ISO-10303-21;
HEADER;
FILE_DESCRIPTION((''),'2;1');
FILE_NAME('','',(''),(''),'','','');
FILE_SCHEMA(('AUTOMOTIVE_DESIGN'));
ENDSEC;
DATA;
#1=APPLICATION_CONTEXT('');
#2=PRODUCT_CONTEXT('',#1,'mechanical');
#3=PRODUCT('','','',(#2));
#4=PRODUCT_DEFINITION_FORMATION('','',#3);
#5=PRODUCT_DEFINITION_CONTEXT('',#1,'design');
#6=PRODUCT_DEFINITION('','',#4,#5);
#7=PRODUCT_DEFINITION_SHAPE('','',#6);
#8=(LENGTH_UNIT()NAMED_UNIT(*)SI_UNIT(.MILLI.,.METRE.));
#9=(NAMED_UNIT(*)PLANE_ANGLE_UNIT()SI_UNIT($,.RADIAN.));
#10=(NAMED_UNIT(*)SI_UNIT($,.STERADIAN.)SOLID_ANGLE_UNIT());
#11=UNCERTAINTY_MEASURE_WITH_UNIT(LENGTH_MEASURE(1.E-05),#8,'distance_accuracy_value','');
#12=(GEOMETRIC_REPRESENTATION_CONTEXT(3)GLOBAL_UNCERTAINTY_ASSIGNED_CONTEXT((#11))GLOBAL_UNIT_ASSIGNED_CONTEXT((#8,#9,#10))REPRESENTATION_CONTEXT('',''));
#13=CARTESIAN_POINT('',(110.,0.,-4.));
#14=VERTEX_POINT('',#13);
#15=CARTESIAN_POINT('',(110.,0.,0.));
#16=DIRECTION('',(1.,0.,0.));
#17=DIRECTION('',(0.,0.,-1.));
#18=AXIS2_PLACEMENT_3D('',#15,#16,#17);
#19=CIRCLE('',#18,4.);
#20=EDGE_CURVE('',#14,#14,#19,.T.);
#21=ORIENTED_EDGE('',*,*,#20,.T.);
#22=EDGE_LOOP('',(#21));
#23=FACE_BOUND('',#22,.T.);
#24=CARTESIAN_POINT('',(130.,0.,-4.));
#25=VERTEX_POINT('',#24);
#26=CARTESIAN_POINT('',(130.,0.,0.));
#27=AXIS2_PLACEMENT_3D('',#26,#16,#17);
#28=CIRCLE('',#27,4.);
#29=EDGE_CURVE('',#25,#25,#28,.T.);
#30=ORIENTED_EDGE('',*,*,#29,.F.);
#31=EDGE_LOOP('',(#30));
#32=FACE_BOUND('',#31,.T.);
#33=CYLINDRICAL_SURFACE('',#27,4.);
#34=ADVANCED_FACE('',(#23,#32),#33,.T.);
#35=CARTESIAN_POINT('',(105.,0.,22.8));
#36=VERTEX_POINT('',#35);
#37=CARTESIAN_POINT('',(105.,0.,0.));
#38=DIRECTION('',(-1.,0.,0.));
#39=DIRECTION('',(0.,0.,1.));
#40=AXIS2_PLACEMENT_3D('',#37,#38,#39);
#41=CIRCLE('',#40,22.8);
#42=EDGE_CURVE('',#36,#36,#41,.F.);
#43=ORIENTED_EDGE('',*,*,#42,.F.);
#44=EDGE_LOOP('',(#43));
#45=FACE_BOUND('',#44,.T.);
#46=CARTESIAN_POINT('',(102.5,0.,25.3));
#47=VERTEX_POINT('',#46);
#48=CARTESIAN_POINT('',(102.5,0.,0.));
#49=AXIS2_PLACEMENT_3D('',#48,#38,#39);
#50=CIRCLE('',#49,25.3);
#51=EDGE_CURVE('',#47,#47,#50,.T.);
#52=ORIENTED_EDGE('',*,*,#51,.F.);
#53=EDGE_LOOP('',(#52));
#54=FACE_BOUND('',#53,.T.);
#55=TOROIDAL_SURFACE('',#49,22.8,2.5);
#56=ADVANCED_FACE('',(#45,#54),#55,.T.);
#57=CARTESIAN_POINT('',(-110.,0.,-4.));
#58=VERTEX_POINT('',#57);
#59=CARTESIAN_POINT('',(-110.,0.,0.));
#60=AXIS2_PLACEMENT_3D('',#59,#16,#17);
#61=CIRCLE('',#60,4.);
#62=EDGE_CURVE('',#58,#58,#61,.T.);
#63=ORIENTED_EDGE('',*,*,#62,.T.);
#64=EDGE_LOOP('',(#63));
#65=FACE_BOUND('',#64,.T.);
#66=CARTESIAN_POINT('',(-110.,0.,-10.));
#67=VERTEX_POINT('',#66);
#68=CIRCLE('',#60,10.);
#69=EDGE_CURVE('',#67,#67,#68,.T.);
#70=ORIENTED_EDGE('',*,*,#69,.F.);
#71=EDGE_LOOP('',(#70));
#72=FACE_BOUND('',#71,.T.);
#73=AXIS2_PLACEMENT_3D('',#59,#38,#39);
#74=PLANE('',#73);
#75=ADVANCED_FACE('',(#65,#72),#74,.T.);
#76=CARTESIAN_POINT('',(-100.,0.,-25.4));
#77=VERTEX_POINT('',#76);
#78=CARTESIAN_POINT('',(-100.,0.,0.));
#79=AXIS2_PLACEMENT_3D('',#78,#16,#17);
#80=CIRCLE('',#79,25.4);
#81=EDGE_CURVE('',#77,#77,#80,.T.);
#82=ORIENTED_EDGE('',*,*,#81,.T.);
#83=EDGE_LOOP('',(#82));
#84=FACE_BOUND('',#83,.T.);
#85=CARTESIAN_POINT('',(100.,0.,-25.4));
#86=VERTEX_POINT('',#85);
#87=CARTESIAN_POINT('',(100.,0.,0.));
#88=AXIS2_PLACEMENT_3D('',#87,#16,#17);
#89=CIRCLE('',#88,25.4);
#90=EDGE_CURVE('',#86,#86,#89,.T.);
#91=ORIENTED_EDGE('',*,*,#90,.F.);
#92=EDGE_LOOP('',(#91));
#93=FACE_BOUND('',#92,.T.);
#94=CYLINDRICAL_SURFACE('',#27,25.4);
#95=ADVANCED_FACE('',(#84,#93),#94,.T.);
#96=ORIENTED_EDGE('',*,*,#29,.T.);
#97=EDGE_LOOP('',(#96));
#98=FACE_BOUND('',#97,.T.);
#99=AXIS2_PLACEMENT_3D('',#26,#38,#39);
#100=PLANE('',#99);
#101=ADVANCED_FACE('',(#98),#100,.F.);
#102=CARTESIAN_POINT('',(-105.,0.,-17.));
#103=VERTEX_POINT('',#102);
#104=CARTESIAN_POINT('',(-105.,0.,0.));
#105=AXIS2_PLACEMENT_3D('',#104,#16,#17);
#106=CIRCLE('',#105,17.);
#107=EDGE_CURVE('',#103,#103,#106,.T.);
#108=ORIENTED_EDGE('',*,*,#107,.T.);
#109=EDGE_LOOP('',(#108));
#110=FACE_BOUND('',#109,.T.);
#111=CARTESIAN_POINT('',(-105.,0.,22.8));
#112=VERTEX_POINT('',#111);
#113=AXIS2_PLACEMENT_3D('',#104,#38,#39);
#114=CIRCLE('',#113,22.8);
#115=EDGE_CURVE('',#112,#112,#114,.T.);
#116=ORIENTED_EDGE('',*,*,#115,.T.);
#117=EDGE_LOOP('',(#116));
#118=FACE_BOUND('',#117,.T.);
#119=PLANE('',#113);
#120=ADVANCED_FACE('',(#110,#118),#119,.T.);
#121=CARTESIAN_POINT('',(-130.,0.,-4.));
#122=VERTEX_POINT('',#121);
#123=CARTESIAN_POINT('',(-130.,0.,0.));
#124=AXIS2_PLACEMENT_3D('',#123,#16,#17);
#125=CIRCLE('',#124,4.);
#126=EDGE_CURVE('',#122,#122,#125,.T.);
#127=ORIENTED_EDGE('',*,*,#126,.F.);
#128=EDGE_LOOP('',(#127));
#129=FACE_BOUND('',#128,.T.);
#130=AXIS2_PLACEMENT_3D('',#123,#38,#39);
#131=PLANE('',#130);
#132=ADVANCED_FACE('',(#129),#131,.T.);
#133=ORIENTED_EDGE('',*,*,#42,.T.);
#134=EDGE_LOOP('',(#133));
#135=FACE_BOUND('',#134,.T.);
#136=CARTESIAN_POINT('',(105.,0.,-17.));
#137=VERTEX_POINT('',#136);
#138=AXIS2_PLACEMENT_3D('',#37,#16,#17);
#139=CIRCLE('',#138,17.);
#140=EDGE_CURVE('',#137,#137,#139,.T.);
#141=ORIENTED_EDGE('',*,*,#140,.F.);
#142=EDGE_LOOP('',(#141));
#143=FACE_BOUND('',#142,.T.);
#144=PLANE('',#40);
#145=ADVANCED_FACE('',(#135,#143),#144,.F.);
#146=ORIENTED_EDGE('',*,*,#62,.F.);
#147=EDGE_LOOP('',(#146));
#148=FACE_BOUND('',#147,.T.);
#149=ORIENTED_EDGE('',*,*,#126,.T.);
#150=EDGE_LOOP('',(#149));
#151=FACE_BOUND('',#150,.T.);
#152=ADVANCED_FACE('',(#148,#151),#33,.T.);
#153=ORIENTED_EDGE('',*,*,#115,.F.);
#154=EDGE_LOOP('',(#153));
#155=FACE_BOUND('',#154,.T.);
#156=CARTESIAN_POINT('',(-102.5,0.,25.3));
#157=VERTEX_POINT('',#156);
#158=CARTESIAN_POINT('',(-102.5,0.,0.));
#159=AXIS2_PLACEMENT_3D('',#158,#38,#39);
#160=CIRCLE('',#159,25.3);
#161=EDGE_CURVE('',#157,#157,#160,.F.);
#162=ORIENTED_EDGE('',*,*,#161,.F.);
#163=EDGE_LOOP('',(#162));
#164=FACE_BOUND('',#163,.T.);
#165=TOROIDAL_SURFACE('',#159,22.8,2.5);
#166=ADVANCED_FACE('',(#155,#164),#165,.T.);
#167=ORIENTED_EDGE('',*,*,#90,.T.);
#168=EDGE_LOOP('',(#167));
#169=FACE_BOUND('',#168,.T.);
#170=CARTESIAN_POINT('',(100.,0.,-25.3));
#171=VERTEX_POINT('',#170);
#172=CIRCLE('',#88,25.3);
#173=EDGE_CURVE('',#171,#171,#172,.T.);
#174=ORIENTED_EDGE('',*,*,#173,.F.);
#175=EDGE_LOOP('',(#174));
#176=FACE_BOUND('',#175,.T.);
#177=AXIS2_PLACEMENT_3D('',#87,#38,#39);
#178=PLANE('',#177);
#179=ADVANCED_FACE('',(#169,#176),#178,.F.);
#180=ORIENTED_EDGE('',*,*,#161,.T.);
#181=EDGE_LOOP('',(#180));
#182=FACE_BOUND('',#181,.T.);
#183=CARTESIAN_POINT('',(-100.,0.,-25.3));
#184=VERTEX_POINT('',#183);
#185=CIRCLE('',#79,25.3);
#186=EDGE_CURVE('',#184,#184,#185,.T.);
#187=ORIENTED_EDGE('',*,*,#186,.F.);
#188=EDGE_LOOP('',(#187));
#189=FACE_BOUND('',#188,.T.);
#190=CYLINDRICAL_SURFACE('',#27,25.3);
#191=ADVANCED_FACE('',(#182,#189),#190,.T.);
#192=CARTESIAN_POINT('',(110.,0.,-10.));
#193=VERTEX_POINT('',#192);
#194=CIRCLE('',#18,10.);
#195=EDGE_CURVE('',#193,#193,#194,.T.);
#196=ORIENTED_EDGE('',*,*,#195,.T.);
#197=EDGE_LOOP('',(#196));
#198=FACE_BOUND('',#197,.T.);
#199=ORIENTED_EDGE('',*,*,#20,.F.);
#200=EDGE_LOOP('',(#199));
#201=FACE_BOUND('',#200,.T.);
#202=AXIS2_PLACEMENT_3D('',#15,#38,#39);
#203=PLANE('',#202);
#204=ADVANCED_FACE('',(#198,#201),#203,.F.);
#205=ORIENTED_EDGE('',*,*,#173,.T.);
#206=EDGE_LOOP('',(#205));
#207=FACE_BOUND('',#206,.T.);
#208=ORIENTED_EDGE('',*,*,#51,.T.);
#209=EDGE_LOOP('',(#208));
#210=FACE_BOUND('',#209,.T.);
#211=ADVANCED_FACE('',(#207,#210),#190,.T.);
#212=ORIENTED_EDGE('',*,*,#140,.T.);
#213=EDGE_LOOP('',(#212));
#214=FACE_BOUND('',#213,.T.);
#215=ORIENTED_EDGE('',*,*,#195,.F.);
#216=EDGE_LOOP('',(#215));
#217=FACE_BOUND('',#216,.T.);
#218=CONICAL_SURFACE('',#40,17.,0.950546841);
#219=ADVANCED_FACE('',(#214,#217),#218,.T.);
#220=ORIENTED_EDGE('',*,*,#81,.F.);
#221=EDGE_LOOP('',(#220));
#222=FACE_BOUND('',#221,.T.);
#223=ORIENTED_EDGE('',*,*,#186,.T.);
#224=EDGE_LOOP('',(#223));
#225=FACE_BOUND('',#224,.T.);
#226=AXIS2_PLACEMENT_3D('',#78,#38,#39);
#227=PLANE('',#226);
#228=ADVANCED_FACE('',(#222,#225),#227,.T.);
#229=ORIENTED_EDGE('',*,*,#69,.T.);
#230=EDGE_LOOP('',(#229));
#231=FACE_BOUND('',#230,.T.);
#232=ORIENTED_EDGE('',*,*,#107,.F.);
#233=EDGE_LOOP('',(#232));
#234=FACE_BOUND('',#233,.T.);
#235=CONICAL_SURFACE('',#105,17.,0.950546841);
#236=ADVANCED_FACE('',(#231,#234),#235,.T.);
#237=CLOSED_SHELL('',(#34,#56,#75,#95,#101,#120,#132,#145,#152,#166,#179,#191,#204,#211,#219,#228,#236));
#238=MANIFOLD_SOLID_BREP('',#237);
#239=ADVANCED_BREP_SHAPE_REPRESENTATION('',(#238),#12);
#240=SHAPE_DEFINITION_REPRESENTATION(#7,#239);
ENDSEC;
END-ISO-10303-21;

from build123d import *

# Parameters (mm, degrees)
FILLET1_R = 2.5


with BuildPart() as part:
    # Sketch1 → Revolve1 (revolve)
    with BuildSketch(Plane(origin=(0, 0, 0), x_dir=(1, 0, 0), z_dir=(0, 1, 0)), mode=Mode.PRIVATE) as revolve1_sk:
        Polygon((0, 0), (0, -25.4), (100, -25.4), (100, -25.3), (105, -25.3), (105, -17), (110, -10), (110, -4), (130, -4), (130, 0), align=None)
        Polygon((-100, -25.3), (-100, -25.4), (0, -25.4), (0, 0), (-130, 0), (-130, -4), (-110, -4), (-110, -10), (-105, -17), (-105, -25.3), align=None)
    revolve(revolve1_sk.sketch.rotate(Axis((130, 0, 0), (-1, 0, 0)), 180), axis=Axis((130, 0, 0), (-1, 0, 0)))

    # Fillet1
    fillet1_edges = [part.edges().sort_by_distance(p)[0] for p in [
        (105, 0, 25.3),
        (-105, 0, 25.3),
    ]]
    fillet(fillet1_edges, radius=FILLET1_R)


solid = part.part
